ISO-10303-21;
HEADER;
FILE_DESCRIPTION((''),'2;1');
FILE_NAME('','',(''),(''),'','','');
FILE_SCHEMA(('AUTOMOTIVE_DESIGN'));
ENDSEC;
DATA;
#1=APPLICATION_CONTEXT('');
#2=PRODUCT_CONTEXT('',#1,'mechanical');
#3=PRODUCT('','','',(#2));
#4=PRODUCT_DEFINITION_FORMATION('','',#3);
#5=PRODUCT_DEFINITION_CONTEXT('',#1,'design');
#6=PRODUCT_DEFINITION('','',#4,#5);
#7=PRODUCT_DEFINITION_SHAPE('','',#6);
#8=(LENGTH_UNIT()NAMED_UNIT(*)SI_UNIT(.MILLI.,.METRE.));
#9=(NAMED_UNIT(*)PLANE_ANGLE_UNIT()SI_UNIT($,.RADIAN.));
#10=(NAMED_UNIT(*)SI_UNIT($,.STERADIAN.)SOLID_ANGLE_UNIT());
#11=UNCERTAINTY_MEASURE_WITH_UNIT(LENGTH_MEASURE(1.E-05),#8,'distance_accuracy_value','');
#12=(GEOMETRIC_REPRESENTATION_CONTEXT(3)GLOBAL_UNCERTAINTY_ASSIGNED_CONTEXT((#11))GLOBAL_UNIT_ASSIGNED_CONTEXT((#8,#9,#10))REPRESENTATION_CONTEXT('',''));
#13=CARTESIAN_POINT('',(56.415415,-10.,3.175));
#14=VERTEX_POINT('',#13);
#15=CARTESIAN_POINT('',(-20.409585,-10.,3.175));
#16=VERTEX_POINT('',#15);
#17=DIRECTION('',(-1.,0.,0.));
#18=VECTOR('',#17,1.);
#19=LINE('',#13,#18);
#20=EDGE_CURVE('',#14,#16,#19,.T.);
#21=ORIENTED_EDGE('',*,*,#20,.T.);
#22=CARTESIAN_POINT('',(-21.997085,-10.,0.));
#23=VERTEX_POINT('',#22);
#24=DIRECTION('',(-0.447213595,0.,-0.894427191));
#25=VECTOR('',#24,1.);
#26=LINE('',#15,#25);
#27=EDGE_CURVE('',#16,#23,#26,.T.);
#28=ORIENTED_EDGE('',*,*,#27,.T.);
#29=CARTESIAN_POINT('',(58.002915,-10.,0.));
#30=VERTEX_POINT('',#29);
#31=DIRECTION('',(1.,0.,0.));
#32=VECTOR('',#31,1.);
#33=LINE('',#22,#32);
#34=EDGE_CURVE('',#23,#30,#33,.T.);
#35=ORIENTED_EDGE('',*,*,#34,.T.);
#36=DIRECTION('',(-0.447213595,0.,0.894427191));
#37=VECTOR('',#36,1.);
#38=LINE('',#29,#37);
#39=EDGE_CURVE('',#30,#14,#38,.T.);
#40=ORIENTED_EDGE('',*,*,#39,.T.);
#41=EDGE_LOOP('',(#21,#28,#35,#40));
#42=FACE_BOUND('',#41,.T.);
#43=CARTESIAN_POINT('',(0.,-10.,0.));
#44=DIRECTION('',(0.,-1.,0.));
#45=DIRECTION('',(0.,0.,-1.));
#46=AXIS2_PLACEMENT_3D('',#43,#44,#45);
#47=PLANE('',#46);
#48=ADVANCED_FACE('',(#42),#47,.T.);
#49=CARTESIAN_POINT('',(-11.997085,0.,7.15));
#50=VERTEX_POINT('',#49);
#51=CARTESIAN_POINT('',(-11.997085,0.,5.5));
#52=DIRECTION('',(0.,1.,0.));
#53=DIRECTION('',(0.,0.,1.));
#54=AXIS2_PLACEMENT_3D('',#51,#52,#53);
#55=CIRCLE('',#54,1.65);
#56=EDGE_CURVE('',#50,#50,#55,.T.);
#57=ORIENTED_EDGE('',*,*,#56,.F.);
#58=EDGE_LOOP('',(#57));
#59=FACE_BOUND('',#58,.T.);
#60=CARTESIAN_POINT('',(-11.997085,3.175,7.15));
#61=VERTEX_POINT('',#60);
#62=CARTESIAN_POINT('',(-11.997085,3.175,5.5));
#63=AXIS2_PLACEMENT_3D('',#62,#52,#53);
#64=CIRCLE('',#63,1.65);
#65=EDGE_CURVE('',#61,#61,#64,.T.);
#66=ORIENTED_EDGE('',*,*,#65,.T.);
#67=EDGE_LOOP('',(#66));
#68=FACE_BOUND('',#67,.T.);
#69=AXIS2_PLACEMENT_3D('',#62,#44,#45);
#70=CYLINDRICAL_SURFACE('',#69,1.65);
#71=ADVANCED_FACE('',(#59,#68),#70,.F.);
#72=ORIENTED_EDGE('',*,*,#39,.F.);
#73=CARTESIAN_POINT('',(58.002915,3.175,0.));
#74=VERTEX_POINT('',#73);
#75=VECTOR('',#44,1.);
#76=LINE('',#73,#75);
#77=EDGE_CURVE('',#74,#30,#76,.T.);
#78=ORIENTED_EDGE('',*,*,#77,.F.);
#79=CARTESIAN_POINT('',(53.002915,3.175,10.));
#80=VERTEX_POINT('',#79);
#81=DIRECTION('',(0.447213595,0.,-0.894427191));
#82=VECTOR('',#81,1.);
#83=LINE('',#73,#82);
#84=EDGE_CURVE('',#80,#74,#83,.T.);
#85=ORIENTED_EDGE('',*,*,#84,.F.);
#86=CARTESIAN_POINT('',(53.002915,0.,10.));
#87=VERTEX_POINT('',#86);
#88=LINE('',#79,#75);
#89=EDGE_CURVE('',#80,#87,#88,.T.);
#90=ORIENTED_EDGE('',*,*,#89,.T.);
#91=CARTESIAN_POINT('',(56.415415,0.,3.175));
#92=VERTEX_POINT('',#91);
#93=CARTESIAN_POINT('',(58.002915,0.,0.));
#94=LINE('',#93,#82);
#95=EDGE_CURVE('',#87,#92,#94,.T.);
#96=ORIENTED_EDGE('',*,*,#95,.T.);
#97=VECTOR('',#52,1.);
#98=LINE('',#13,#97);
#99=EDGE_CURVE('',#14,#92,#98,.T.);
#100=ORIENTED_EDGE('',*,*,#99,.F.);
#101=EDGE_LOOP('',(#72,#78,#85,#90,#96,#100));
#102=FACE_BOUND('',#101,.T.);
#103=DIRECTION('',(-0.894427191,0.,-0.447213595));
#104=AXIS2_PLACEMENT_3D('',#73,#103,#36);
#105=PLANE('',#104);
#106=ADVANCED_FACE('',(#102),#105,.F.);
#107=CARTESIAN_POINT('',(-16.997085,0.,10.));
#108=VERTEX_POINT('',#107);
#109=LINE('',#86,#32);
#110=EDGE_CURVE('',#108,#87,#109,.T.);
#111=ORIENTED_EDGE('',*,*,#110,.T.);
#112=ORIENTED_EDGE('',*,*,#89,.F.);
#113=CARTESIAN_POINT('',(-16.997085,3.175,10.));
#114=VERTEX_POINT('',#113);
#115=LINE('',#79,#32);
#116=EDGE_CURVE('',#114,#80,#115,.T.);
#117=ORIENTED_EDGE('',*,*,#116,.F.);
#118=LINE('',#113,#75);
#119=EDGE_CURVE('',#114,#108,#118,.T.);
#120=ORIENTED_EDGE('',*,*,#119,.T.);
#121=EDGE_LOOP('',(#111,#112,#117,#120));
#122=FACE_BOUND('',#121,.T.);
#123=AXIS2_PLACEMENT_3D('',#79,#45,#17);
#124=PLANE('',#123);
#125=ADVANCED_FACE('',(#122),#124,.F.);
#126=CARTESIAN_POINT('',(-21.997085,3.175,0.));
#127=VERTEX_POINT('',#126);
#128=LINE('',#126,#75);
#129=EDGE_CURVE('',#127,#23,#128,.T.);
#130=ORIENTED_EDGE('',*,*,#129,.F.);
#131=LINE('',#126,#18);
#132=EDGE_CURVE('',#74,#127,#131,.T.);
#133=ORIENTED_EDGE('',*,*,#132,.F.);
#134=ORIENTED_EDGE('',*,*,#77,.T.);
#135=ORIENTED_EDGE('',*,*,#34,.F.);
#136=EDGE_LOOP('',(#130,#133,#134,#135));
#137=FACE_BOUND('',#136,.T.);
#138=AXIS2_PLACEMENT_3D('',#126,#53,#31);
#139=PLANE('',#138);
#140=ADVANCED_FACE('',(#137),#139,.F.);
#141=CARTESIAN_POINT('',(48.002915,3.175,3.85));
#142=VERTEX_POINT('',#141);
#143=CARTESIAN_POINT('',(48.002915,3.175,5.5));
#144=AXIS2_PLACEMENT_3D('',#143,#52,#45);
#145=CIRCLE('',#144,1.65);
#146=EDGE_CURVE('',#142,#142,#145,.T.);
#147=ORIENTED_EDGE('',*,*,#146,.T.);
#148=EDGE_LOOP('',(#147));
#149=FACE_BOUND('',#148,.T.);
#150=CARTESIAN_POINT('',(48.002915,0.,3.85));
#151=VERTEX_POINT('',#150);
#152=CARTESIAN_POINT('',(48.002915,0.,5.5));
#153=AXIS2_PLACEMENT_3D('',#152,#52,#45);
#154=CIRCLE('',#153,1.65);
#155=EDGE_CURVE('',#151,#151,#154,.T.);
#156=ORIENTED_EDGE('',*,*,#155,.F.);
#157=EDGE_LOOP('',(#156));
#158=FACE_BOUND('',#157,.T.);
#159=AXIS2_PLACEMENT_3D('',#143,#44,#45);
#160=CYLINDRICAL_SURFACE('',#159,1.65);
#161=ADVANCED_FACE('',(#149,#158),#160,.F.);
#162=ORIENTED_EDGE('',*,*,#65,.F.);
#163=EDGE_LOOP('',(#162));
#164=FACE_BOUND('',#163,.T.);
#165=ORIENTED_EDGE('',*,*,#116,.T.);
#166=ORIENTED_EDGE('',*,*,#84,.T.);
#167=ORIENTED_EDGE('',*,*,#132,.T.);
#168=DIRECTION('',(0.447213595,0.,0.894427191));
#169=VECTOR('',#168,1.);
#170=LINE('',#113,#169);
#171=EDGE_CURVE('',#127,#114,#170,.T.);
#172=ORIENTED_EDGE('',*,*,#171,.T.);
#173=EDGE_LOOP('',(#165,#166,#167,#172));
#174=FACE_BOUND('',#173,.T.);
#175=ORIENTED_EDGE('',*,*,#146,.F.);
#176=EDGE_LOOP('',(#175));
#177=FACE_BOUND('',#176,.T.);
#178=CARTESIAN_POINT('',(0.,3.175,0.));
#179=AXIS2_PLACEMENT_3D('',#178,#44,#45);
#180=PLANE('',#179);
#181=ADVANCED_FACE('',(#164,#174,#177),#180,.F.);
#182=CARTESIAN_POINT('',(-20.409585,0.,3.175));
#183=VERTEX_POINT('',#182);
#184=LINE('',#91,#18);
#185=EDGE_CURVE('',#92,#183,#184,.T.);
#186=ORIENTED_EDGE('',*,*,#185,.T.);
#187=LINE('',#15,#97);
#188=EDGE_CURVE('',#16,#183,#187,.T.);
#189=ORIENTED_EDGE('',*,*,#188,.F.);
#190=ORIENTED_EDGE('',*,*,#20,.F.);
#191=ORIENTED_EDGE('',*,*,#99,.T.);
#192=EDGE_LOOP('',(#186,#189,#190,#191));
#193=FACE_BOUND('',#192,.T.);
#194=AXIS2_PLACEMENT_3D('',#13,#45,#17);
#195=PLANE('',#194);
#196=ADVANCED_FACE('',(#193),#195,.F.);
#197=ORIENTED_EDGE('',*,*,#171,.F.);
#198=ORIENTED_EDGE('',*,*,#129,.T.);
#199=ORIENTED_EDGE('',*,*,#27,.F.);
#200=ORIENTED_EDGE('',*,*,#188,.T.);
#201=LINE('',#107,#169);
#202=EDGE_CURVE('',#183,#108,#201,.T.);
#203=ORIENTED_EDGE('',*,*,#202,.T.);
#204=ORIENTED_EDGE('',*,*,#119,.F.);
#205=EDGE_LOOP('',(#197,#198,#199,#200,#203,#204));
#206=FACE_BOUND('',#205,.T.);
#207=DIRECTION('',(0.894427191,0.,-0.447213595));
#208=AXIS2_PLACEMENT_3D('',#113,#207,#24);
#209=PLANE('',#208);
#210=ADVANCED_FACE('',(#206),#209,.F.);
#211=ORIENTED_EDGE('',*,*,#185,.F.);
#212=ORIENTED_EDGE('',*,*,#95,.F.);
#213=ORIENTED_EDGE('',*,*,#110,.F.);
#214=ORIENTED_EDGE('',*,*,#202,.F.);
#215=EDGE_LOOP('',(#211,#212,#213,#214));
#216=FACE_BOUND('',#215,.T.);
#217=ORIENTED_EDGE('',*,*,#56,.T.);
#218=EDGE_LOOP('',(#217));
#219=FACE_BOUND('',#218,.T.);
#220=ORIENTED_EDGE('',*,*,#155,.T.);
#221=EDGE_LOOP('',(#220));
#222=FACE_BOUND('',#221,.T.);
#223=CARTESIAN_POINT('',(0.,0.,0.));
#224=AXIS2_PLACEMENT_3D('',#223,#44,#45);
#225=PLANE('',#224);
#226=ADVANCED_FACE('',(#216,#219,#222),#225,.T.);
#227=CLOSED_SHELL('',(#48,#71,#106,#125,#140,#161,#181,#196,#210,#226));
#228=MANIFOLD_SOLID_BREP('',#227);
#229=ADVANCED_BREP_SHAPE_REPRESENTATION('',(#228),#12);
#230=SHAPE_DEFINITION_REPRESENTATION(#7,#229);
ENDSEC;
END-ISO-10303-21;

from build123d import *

# Parameters (mm, degrees)
SKETCH1_R           = 1.65
BOSS_EXTRUDE1_DEPTH = 3.175
BOSS_EXTRUDE2_DEPTH = 10


with BuildPart() as part:
    # Sketch1 → Boss-Extrude1 (new body)
    with BuildSketch(Plane(origin=(0, 0, 0), x_dir=(1, 0, 0), z_dir=(0, 1, 0))):
        Polygon((-21.997084548, 0), (58.002915452, 0), (53.002915452, -10), (-16.997084548, -10), align=None)
        with Locations(Location((-11.997084548, -5.5, 0), (0, 0, 270))):
            Circle(SKETCH1_R, mode=Mode.SUBTRACT)
        with Locations(Location((48.002915452, -5.5, 0), (0, 0, 90))):
            Circle(SKETCH1_R, mode=Mode.SUBTRACT)
    extrude(amount=BOSS_EXTRUDE1_DEPTH)

    # Sketch2 → Boss-Extrude2 (add)
    with BuildSketch(Plane.XZ):
        Polygon((58.002915452, 0), (56.415415452, 3.175), (-20.409584548, 3.175), (-21.997084548, 0), align=None)
    extrude(amount=BOSS_EXTRUDE2_DEPTH)


solid = part.part
